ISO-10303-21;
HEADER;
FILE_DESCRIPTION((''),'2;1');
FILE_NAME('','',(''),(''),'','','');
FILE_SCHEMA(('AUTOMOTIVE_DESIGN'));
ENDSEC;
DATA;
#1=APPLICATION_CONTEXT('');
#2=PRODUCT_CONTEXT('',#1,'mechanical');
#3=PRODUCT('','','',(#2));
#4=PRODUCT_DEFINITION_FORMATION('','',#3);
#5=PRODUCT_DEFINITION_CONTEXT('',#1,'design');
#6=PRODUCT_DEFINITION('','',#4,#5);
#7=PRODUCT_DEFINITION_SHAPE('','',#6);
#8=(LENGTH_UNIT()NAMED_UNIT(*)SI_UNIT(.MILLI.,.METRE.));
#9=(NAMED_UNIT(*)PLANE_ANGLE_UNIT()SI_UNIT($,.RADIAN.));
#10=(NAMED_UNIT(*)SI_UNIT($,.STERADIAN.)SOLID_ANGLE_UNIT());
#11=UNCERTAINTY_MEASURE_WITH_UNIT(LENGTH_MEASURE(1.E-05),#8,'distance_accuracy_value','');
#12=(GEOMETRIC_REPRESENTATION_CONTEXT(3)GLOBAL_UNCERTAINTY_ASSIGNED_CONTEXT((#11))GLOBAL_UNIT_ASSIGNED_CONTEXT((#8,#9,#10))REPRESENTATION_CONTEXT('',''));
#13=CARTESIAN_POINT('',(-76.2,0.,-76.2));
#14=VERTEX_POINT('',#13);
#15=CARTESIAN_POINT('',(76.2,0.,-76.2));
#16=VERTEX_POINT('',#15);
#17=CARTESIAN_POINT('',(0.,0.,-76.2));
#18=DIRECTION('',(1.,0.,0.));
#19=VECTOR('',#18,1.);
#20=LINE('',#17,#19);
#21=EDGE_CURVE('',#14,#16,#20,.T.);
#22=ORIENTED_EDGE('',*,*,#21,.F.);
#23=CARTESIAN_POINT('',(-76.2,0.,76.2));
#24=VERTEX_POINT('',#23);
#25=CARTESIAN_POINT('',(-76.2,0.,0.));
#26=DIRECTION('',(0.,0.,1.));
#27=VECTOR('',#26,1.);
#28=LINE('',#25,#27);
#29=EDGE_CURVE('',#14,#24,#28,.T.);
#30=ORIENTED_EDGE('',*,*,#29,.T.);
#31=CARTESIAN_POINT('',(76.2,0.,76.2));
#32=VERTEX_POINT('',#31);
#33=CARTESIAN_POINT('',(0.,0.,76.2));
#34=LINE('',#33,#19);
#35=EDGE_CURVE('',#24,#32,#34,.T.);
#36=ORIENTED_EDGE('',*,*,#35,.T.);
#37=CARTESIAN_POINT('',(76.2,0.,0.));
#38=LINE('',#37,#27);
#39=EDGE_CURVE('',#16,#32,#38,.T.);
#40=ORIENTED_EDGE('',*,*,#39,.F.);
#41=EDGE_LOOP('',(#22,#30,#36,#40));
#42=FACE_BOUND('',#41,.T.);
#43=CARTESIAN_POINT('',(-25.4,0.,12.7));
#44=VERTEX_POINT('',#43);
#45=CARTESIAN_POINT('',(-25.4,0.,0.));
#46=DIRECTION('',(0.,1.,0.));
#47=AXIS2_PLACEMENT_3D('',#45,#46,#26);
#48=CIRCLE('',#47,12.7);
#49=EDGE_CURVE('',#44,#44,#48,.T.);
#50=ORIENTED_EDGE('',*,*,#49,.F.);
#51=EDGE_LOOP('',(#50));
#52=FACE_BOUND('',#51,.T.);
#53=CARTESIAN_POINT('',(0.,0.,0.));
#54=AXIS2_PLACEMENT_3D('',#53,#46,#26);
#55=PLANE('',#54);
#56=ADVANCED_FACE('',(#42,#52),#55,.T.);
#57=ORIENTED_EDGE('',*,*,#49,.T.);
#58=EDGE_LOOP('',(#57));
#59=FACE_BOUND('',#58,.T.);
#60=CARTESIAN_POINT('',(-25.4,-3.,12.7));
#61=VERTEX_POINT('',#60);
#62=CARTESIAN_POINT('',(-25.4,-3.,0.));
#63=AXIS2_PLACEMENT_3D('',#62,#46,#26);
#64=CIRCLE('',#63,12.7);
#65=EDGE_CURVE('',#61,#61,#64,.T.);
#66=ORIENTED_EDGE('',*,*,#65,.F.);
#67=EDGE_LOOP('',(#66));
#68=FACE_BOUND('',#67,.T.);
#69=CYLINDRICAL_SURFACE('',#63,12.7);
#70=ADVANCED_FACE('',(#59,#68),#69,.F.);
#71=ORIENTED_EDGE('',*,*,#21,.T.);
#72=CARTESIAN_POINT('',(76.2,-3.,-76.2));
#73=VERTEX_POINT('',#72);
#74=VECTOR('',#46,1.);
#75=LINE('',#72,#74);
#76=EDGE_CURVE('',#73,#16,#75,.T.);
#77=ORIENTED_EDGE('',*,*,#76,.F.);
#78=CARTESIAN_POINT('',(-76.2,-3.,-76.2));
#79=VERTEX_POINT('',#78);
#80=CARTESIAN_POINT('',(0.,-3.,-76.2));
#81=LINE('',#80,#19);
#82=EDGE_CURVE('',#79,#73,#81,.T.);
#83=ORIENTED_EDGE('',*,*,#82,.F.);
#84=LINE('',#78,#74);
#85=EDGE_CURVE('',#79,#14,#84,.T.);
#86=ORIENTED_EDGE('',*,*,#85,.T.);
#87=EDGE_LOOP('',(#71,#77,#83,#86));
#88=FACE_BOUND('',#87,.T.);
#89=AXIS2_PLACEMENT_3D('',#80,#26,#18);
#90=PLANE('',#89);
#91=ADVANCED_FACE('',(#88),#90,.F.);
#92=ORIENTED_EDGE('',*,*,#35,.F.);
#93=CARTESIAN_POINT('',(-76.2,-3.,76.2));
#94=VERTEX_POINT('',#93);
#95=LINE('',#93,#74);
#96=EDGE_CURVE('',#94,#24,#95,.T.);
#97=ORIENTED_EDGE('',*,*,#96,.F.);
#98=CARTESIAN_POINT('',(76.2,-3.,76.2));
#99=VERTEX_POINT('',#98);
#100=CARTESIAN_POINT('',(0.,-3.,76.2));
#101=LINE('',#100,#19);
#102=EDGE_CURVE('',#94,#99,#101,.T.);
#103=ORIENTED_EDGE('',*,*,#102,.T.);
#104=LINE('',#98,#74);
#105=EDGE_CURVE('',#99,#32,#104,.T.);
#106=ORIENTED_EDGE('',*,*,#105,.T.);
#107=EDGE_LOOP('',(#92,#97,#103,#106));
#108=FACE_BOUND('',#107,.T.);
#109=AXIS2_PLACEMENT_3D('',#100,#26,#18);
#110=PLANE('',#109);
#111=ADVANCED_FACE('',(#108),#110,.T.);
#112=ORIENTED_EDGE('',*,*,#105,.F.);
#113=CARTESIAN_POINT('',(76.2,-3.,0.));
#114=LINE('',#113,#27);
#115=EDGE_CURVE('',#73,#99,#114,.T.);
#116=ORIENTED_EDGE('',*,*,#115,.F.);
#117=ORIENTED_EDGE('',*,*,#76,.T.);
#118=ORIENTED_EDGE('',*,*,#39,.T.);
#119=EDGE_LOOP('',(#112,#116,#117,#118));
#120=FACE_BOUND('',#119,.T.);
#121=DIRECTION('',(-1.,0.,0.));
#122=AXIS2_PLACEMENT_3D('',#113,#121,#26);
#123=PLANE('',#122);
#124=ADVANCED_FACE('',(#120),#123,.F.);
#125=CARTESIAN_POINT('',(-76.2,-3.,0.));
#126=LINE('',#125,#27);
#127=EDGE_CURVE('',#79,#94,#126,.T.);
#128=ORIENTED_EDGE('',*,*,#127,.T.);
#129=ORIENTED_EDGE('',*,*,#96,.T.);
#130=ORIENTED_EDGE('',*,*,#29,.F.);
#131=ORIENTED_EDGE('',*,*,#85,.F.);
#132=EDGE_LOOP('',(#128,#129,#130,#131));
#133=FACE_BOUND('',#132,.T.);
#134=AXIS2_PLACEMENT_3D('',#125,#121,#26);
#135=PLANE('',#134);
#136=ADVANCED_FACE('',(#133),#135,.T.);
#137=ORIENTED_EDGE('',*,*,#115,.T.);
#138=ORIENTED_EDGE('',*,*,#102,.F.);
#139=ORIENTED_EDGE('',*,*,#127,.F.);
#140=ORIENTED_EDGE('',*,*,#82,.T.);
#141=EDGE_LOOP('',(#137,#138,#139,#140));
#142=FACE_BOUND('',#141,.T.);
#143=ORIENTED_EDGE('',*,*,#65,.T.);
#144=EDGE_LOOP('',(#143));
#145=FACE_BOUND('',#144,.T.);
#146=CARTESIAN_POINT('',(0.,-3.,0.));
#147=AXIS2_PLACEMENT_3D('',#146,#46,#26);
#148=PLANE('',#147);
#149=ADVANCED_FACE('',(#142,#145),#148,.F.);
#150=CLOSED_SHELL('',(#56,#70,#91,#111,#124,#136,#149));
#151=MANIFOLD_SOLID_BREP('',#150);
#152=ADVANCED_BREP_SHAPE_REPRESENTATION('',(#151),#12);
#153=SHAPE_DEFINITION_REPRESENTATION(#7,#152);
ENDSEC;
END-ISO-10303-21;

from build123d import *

# Parameters (mm, degrees)
SKETCH1_W           = 152.4
SKETCH1_H           = 152.4
SKETCH1_R           = 5
SKETCH1_R_2         = 12.7
BOSS_EXTRUDE1_DEPTH = 3


with BuildPart() as part:
    # Sketch1 → Boss-Extrude1 (new body)
    # profile 1 of 5: a face of its own
    with BuildSketch(Plane(origin=(0, 0, 0), x_dir=(1, 0, 0), z_dir=(0, 1, 0))):
        Rectangle(SKETCH1_W, SKETCH1_H)
        with Locations((57.513684792, -57.513684792)):
            Circle(SKETCH1_R, mode=Mode.SUBTRACT)
        with Locations((57.513684792, 57.513684792)):
            Circle(SKETCH1_R, mode=Mode.SUBTRACT)
        with Locations((-57.513684792, 57.513684792)):
            Circle(SKETCH1_R, mode=Mode.SUBTRACT)
        with Locations((-57.513684792, -57.513684792)):
            Circle(SKETCH1_R, mode=Mode.SUBTRACT)
        with Locations(Location((-25.4, 0, 0), (0, 0, 270))):
            Circle(SKETCH1_R_2, mode=Mode.SUBTRACT)
    # profile 2 of 5: a face of its own
    with BuildSketch(Plane(origin=(0, 0, 0), x_dir=(1, 0, 0), z_dir=(0, 1, 0))):
        with Locations((57.513684792, -57.513684792)):
            Circle(SKETCH1_R)
    # profile 3 of 5: a face of its own
    with BuildSketch(Plane(origin=(0, 0, 0), x_dir=(1, 0, 0), z_dir=(0, 1, 0))):
        with Locations((-57.513684792, -57.513684792)):
            Circle(SKETCH1_R)
    # profile 4 of 5: a face of its own
    with BuildSketch(Plane(origin=(0, 0, 0), x_dir=(1, 0, 0), z_dir=(0, 1, 0))):
        with Locations((57.513684792, 57.513684792)):
            Circle(SKETCH1_R)
    # profile 5 of 5: a face of its own
    with BuildSketch(Plane(origin=(0, 0, 0), x_dir=(1, 0, 0), z_dir=(0, 1, 0))):
        with Locations((-57.513684792, 57.513684792)):
            Circle(SKETCH1_R)
    extrude(amount=-BOSS_EXTRUDE1_DEPTH)


solid = part.part
